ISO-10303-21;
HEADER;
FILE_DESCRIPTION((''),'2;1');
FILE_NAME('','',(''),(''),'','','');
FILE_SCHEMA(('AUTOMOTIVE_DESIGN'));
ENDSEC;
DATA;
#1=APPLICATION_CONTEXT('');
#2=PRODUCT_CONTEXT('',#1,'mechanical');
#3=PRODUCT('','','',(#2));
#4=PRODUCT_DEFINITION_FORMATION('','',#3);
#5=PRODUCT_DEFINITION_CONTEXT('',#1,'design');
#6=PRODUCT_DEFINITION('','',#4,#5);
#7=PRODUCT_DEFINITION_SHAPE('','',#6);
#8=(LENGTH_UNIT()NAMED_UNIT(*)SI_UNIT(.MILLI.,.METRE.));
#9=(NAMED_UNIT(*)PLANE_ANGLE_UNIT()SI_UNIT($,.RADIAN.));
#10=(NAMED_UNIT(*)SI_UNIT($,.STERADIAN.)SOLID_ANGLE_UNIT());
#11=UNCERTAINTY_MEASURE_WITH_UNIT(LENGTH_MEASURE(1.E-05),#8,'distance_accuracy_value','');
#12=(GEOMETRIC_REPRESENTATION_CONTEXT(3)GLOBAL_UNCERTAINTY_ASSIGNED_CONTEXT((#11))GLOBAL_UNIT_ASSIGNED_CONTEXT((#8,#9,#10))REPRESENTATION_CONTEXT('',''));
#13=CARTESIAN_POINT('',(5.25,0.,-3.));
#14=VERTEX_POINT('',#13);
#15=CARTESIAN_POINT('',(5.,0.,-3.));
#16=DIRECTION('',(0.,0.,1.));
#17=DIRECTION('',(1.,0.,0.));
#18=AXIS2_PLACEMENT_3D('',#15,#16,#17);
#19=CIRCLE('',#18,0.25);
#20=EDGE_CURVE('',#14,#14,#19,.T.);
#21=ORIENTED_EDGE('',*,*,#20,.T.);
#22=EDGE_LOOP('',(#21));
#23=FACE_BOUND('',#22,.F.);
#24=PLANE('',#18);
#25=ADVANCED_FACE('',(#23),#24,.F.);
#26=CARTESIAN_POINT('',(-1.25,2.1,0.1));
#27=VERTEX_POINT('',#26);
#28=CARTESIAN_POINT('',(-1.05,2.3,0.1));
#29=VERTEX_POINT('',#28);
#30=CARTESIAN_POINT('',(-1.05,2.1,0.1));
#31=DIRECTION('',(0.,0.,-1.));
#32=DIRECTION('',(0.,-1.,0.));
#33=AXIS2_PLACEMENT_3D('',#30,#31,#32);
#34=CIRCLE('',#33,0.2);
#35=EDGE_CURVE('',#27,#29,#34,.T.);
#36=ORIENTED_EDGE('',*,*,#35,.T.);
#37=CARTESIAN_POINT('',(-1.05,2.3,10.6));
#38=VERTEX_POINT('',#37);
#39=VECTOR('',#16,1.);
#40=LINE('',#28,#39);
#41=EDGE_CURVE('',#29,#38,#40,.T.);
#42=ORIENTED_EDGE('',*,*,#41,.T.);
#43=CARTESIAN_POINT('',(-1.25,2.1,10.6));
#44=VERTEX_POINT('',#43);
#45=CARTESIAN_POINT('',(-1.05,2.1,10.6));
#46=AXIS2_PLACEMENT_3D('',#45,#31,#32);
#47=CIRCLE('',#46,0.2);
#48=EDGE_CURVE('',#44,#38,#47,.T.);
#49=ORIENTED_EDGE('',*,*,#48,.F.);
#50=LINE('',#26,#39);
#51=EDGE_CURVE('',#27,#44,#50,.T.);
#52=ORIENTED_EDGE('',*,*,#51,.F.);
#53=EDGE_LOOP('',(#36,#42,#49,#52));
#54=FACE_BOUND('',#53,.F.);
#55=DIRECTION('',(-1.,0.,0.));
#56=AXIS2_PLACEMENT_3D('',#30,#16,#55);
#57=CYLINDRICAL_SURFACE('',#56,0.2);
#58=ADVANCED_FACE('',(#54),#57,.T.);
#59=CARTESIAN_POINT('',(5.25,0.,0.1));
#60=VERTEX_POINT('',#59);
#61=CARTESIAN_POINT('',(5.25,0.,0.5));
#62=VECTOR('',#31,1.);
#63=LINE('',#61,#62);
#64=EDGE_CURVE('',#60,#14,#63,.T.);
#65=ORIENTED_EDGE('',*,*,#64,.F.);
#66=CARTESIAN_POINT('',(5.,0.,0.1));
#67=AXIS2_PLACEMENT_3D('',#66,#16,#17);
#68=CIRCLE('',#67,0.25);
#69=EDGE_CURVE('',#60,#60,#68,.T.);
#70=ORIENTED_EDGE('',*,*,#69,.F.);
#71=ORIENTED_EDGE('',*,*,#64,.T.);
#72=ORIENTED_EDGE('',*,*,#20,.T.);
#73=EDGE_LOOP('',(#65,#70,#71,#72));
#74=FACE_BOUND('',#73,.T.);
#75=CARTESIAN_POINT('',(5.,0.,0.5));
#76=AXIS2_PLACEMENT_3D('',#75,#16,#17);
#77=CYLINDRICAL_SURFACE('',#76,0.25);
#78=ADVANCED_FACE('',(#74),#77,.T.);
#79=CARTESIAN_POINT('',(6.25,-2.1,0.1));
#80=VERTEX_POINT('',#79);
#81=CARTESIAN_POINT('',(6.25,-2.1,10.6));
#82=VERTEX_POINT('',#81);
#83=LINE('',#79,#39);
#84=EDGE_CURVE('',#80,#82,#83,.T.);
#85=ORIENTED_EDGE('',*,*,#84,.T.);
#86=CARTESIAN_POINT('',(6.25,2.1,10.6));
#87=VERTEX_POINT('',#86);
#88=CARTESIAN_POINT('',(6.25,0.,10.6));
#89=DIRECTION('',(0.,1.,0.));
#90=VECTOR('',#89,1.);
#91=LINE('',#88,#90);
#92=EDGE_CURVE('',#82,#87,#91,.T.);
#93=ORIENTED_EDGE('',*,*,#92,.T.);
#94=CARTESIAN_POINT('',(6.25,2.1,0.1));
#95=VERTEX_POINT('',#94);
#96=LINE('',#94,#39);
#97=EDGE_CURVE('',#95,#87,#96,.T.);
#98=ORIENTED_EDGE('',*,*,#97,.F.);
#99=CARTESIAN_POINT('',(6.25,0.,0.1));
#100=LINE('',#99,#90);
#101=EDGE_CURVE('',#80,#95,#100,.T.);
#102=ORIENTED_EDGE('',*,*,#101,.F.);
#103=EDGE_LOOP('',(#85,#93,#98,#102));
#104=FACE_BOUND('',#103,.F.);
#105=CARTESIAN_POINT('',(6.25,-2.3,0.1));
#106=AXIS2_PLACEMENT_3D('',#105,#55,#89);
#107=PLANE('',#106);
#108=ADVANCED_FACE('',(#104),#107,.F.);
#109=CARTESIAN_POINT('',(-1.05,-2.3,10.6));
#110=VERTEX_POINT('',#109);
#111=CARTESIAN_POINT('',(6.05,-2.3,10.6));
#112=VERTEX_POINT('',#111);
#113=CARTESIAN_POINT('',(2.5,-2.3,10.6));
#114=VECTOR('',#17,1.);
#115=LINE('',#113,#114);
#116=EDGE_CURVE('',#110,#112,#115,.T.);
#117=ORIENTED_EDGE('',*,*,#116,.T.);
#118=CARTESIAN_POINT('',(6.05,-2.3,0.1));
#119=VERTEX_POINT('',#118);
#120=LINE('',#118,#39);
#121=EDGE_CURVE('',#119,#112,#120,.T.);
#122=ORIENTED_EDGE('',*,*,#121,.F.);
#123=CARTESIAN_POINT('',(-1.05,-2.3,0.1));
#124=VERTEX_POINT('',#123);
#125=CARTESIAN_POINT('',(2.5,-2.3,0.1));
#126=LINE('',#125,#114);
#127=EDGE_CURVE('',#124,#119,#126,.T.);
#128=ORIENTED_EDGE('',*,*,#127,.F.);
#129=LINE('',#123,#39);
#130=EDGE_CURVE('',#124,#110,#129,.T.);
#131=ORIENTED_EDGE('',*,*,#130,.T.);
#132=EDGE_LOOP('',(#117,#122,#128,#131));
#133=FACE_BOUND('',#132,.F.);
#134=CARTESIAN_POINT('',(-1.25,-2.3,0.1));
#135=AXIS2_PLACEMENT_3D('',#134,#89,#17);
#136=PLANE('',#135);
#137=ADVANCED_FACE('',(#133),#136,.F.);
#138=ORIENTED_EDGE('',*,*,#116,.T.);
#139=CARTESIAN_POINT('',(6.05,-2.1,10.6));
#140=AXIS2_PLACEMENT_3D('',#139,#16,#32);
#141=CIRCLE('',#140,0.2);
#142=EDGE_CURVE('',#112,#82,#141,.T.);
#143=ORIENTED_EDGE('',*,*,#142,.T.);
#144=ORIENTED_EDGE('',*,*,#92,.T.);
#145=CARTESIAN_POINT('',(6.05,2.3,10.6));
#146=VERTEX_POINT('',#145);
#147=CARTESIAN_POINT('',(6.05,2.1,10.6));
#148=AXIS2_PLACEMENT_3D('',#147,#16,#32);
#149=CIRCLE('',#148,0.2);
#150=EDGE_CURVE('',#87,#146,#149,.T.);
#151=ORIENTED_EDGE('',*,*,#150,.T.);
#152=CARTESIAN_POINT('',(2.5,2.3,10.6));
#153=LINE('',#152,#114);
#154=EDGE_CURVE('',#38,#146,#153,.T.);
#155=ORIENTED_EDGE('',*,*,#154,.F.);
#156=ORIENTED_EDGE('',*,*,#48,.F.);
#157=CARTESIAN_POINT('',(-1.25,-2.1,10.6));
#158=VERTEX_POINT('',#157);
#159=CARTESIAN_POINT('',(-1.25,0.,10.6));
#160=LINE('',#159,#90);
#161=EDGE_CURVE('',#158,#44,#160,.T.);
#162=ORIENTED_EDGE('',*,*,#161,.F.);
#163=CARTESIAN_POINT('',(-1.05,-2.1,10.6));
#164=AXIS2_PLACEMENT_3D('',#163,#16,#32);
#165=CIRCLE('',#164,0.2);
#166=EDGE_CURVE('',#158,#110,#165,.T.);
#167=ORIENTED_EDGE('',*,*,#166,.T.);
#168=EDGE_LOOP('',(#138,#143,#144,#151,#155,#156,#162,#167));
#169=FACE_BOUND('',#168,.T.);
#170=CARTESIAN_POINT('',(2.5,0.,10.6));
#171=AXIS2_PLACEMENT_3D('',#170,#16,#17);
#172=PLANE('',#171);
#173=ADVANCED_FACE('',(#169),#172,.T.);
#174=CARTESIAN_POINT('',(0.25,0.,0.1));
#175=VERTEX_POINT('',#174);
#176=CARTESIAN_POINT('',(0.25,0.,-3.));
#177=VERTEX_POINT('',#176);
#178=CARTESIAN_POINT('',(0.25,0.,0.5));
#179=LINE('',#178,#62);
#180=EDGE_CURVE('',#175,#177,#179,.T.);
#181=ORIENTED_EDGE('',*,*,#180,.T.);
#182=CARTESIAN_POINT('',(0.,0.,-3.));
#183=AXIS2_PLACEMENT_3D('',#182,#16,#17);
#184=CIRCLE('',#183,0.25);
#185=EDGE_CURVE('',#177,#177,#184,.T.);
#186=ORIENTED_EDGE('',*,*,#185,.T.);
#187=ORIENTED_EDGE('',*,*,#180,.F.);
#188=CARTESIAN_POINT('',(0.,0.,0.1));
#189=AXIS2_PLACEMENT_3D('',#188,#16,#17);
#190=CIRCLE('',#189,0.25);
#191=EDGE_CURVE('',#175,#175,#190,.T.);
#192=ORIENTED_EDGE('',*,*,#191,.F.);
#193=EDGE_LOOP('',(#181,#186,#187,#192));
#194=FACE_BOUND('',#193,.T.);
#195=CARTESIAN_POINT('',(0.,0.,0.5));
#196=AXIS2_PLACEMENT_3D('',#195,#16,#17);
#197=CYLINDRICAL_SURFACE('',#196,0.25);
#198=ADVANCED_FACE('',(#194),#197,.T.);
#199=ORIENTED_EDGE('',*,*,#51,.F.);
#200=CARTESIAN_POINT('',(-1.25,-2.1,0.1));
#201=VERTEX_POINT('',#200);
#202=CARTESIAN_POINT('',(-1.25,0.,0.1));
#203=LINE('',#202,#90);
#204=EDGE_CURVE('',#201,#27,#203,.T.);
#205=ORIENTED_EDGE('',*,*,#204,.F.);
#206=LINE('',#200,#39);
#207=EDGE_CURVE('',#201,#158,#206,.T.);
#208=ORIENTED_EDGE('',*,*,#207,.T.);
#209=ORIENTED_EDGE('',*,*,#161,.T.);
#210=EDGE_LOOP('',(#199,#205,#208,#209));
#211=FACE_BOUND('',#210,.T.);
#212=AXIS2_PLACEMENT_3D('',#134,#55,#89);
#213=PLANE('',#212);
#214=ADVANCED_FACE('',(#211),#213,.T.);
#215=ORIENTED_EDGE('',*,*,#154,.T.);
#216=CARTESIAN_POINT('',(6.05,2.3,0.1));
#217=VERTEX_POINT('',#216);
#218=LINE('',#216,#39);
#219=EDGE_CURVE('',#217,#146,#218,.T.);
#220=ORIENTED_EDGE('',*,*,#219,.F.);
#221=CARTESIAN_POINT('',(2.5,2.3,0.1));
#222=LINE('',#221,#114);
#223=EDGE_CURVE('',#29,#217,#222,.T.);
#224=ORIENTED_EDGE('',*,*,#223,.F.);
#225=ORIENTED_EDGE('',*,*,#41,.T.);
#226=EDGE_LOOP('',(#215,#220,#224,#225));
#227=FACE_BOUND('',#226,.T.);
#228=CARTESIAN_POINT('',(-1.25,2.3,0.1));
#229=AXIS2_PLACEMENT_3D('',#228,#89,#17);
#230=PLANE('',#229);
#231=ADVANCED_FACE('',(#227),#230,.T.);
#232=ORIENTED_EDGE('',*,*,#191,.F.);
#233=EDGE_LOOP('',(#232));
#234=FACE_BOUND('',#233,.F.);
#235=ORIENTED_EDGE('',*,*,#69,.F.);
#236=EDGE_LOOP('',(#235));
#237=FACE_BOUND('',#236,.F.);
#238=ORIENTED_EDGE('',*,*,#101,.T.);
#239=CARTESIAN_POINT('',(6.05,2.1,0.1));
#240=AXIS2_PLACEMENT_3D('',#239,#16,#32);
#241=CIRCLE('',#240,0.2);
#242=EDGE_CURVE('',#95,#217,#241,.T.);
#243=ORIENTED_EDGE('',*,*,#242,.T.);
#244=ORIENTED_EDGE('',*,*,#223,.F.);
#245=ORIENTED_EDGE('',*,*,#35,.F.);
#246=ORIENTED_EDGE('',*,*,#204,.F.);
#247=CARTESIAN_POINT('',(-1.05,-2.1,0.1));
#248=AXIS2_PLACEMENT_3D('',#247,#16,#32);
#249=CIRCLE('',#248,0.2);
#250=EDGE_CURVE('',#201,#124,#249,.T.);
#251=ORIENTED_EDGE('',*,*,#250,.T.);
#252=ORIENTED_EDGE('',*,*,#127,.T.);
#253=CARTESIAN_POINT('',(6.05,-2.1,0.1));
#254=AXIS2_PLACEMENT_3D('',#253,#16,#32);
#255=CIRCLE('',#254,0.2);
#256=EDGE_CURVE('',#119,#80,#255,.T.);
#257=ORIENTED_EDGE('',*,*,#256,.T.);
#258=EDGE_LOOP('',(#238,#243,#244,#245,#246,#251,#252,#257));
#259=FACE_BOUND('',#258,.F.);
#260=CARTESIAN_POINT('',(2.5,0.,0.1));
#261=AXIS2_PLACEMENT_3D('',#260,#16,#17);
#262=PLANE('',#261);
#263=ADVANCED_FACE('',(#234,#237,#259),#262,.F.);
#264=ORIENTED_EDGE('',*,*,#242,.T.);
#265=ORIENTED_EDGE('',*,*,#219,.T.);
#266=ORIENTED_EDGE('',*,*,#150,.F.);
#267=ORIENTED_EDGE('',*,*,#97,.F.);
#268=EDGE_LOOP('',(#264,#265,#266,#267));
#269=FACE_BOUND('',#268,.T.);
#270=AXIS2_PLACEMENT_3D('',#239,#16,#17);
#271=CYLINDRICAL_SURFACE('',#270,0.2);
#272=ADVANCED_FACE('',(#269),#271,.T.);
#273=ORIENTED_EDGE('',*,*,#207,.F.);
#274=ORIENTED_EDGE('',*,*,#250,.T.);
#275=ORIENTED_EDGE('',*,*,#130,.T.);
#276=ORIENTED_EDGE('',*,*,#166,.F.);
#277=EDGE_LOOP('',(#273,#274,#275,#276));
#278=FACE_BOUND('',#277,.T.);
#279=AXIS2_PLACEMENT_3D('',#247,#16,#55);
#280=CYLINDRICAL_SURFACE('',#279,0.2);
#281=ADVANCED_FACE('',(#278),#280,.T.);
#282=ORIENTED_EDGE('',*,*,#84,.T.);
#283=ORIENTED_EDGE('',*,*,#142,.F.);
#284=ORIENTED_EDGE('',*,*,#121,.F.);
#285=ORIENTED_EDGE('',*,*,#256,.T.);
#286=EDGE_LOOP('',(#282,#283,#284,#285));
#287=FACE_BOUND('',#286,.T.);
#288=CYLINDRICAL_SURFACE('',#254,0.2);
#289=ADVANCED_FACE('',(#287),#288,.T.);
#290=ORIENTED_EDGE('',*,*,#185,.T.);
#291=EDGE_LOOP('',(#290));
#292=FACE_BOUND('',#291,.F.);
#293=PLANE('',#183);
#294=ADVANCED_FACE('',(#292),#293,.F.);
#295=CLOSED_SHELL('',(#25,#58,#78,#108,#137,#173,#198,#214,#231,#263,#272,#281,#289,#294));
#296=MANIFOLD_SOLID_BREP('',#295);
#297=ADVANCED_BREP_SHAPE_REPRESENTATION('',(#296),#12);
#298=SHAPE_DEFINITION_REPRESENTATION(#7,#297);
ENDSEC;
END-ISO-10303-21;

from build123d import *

# Parameters (mm, degrees)
SKETCH001_R  = 0.25
PAD001_DEPTH = 3.5
SKETCH_W     = 7.5
SKETCH_H     = 4.6
PAD_DEPTH    = 10.5
FILLET_R     = 0.2


with BuildPart() as pad001:
    # Sketch001 → Pad001 (new body)
    with BuildSketch(Plane.XY.offset(0.5)):
        Circle(SKETCH001_R)
        with Locations((5, 0)):
            Circle(SKETCH001_R)
    extrude(amount=-PAD001_DEPTH)


with BuildPart() as fillet_mp_cp:
    # Sketch → Pad (new body)
    with BuildSketch(Plane.XY.offset(0.1)):
        with Locations((2.5, 0)):
            Rectangle(SKETCH_W, SKETCH_H)
    extrude(amount=PAD_DEPTH)

    # Fillet
    fillet_edges = [fillet_mp_cp.edges().sort_by_distance(p)[0] for p in [
        (6.25, -2.3, 5.35),
        (6.25, 2.3, 5.35),
        (-1.25, -2.3, 5.35),
        (-1.25, 2.3, 5.35),
    ]]
    fillet(fillet_edges, radius=FILLET_R)

    # Fillet_mp_cp: union Pad001
    add(pad001.part)


solid = fillet_mp_cp.part
